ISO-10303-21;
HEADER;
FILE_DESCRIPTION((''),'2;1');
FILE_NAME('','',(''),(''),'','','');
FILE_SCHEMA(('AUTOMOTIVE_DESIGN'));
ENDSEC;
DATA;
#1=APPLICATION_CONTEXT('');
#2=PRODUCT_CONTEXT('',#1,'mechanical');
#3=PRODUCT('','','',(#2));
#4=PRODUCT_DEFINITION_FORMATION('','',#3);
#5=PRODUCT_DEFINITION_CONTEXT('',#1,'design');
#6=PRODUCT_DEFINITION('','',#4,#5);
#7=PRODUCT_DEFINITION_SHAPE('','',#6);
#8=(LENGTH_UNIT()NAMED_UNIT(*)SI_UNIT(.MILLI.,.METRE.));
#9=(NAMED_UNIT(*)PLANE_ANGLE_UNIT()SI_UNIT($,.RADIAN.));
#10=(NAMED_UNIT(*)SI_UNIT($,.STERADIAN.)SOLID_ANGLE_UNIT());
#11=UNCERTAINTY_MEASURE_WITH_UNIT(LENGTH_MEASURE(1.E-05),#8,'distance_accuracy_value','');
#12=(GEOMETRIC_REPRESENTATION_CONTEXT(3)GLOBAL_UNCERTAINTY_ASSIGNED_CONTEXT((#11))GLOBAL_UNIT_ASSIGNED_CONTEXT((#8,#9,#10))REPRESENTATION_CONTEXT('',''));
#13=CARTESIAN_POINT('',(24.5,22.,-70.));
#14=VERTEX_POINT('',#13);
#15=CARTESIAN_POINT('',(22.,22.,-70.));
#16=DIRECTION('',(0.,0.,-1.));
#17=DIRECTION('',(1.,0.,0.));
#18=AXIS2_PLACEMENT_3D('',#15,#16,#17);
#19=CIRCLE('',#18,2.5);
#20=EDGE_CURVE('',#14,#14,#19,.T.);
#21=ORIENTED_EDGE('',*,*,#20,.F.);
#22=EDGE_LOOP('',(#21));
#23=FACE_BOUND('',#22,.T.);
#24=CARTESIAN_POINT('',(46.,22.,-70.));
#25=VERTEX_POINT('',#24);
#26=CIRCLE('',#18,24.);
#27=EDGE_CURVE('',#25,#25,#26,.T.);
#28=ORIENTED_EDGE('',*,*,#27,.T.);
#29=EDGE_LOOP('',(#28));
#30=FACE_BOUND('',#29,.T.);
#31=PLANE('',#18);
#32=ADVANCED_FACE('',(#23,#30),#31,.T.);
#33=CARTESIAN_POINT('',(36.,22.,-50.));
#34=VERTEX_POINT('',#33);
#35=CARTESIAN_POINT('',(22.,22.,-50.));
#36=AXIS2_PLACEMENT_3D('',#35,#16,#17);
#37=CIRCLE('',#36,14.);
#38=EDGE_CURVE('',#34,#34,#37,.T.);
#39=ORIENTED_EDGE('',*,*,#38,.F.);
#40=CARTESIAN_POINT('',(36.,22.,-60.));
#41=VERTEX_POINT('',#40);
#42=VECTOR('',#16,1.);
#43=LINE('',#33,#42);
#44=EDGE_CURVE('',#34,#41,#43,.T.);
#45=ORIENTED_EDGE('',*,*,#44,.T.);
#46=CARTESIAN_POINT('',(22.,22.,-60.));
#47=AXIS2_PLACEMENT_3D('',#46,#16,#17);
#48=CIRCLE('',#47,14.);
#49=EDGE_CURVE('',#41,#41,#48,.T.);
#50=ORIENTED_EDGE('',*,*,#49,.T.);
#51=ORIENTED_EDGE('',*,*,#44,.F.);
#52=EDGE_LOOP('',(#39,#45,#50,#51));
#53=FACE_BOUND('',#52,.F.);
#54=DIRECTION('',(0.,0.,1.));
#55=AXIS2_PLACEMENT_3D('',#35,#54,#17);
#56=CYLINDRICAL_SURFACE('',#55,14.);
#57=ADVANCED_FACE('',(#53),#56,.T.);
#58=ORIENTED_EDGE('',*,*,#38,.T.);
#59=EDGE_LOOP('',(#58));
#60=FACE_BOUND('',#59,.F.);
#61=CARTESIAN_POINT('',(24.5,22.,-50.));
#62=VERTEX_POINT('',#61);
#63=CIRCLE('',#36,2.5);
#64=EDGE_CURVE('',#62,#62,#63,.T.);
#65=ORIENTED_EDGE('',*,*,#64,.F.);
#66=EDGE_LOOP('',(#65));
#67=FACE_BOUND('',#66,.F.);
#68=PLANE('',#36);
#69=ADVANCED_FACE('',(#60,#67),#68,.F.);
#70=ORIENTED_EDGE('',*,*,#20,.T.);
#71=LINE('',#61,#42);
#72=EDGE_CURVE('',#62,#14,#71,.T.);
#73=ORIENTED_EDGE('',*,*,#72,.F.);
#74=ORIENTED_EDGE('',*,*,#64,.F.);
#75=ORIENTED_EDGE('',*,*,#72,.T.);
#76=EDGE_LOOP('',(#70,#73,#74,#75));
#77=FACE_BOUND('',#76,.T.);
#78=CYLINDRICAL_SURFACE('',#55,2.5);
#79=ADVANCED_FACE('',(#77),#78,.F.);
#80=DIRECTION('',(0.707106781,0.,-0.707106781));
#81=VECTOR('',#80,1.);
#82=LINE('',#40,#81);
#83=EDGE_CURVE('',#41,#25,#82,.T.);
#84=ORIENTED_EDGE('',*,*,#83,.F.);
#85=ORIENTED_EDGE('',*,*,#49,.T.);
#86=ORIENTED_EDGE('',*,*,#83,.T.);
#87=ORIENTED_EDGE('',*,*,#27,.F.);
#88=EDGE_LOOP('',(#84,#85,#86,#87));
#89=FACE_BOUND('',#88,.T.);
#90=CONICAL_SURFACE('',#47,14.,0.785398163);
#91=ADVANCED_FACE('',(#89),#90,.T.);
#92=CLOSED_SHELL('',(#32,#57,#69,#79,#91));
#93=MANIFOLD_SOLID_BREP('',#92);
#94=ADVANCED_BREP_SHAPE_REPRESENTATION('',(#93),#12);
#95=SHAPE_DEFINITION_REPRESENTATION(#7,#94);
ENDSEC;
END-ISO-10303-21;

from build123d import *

# Parameters (mm, degrees)
CYLINDER004_R       = 2.5
CYLINDER004_DEPTH   = 20
CYLINDER003_R       = 14
CYLINDER003_DEPTH   = 10
CUT_PLACEMENT_ANGLE = 180


with BuildPart() as cylinder001:
    # Cylinder004 → Cylinder004 (new body)
    with BuildSketch(Plane.XY):
        Circle(CYLINDER004_R)
    extrude(amount=CYLINDER004_DEPTH)


with BuildPart() as cone:
    # Cone → Cone (revolve)
    with BuildSketch(Plane(origin=(0, 0, 10), x_dir=(1, 0, 0), z_dir=(0, -1, 0))):
        Polygon((0, 0), (14, 0), (24, 10), (0, 10), align=None)
    revolve(axis=Axis((0, 0, 10), (0, 0, 1)))


with BuildPart() as chinafoot:
    # Cylinder003 → Cylinder003 (new body)
    with BuildSketch(Plane.XY):
        Circle(CYLINDER003_R)
    extrude(amount=CYLINDER003_DEPTH)

    # Fusion004: union Cone
    add(cone.part)

    # Cut: cut Cylinder001
    add(cylinder001.part, mode=Mode.SUBTRACT)


with BuildPart() as chinafoot_1:
    # Cut placement: moved
    add(chinafoot.part.moved(Location((22, 22, -50))).rotate(Axis((22, 22, -50), (1, 0, 0)), CUT_PLACEMENT_ANGLE))


solid = chinafoot_1.part
